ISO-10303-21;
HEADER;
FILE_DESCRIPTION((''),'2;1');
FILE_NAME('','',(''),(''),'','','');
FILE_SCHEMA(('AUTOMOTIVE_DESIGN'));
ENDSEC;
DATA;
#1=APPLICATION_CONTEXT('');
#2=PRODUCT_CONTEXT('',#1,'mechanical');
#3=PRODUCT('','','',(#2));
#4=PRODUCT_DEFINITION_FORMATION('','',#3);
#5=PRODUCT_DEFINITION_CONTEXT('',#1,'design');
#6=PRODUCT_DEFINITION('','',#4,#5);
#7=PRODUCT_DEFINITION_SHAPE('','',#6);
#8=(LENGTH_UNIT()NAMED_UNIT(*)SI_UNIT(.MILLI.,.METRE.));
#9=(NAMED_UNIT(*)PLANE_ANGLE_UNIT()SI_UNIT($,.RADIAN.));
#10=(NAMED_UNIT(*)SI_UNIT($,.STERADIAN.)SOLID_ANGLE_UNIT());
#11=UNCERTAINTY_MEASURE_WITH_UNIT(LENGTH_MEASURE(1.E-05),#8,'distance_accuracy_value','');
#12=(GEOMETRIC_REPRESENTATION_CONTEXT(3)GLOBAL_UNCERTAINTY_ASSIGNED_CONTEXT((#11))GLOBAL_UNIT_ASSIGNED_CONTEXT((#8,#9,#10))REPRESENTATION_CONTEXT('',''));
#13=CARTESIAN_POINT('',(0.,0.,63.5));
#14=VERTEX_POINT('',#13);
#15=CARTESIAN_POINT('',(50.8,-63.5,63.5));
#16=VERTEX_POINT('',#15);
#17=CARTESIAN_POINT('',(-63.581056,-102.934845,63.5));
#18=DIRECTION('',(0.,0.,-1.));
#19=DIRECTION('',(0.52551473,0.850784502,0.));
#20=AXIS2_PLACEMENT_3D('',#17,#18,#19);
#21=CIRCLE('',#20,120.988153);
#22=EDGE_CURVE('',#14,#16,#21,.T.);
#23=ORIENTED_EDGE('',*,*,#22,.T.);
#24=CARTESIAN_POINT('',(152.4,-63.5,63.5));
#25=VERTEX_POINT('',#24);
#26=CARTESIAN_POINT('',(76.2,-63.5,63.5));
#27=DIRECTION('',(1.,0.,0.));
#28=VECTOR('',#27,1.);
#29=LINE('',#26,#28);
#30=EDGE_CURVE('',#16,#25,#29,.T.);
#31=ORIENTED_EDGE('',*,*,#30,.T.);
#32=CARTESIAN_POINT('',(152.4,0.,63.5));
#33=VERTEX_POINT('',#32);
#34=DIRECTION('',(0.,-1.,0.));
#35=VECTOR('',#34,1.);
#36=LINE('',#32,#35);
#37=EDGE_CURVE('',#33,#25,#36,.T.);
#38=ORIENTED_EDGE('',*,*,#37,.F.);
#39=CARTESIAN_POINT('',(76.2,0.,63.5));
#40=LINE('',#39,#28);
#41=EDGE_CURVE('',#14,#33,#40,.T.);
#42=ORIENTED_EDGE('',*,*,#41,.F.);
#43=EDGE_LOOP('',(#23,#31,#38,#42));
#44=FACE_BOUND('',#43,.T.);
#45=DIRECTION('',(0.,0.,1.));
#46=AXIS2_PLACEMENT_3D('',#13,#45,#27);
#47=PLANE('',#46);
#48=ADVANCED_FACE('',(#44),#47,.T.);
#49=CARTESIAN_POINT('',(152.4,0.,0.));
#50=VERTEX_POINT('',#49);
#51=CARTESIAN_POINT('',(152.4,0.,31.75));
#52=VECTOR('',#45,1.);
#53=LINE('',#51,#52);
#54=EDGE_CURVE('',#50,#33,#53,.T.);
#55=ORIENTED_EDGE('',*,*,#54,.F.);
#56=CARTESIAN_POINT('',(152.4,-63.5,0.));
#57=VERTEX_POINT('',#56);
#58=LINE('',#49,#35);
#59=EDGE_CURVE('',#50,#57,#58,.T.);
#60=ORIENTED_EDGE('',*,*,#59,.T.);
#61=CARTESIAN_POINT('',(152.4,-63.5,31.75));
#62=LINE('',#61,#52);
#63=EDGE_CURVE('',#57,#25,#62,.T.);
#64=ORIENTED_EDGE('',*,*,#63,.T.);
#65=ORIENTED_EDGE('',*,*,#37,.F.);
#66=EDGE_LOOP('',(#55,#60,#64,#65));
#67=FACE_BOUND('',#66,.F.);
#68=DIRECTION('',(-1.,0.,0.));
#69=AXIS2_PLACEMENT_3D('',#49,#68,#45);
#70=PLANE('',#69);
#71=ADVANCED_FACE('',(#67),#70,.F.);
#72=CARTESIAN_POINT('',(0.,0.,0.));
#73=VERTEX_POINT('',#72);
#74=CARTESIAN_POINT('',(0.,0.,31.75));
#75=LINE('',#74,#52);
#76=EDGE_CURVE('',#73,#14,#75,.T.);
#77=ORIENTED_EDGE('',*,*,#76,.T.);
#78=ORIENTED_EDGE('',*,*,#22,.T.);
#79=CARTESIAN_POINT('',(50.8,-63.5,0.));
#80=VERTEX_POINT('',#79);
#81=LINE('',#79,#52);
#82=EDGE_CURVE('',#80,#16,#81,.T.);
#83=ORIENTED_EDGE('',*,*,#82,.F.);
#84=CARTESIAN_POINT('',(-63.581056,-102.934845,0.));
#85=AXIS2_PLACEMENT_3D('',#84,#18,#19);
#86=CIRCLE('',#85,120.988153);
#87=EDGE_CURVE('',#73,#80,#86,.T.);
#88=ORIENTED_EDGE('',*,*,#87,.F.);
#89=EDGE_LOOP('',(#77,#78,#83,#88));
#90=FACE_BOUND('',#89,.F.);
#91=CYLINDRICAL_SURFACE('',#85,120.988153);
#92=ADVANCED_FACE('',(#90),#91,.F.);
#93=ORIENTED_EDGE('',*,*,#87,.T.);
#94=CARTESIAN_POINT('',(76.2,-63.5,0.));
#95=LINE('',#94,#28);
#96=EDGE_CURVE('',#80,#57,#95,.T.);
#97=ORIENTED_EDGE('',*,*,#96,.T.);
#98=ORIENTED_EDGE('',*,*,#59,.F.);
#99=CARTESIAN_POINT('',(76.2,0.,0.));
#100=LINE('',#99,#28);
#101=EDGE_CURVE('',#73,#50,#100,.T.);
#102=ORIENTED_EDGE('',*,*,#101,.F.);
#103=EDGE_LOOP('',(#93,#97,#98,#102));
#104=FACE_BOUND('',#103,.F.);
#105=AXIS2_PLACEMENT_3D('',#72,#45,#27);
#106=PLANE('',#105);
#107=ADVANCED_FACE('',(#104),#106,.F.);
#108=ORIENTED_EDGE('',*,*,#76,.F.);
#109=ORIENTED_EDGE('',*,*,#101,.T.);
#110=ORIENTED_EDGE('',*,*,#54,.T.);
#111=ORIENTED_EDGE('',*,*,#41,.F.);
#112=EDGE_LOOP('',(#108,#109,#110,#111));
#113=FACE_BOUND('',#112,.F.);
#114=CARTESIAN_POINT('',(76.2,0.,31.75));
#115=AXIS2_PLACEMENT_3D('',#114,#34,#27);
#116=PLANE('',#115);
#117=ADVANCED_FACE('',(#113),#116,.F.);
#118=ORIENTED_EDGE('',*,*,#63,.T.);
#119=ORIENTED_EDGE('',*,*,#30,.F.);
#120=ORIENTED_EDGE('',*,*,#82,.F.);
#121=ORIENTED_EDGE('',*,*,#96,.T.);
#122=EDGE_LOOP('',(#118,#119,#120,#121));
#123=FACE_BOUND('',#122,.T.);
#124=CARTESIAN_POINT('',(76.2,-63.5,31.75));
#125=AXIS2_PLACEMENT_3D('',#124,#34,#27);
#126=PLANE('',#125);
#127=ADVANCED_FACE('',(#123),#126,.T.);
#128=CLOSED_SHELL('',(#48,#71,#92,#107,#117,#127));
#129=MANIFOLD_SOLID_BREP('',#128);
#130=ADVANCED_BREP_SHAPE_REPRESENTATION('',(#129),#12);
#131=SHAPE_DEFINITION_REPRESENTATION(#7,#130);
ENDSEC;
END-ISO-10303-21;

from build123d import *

# Parameters (mm, degrees)
F0_W     = 152.4
F0_H     = 63.5
F1_DEPTH = 63.5
F3_DEPTH = 63.501


with BuildPart() as f1:
    # F0 (on Front) → F1 (new body)
    with BuildSketch(Plane.XZ):
        with Locations((76.2, 31.75)):
            Rectangle(F0_W, F0_H)
    extrude(amount=F1_DEPTH)

    # F2 (on face) → F3 (cut, through all)
    with BuildSketch(Plane(origin=(0, 0, 0), x_dir=(1, 0, 0), z_dir=(0, 0, -1))):
        with BuildLine():
            Line((0, 63.5), (0, 0))
            ThreePointArc((0, 0), (30.894818, 27.354145), (50.8, 63.5))
            Line((50.8, 63.5), (0, 63.5))
        make_face()
    extrude(amount=-F3_DEPTH, mode=Mode.SUBTRACT)


solid = f1.part
